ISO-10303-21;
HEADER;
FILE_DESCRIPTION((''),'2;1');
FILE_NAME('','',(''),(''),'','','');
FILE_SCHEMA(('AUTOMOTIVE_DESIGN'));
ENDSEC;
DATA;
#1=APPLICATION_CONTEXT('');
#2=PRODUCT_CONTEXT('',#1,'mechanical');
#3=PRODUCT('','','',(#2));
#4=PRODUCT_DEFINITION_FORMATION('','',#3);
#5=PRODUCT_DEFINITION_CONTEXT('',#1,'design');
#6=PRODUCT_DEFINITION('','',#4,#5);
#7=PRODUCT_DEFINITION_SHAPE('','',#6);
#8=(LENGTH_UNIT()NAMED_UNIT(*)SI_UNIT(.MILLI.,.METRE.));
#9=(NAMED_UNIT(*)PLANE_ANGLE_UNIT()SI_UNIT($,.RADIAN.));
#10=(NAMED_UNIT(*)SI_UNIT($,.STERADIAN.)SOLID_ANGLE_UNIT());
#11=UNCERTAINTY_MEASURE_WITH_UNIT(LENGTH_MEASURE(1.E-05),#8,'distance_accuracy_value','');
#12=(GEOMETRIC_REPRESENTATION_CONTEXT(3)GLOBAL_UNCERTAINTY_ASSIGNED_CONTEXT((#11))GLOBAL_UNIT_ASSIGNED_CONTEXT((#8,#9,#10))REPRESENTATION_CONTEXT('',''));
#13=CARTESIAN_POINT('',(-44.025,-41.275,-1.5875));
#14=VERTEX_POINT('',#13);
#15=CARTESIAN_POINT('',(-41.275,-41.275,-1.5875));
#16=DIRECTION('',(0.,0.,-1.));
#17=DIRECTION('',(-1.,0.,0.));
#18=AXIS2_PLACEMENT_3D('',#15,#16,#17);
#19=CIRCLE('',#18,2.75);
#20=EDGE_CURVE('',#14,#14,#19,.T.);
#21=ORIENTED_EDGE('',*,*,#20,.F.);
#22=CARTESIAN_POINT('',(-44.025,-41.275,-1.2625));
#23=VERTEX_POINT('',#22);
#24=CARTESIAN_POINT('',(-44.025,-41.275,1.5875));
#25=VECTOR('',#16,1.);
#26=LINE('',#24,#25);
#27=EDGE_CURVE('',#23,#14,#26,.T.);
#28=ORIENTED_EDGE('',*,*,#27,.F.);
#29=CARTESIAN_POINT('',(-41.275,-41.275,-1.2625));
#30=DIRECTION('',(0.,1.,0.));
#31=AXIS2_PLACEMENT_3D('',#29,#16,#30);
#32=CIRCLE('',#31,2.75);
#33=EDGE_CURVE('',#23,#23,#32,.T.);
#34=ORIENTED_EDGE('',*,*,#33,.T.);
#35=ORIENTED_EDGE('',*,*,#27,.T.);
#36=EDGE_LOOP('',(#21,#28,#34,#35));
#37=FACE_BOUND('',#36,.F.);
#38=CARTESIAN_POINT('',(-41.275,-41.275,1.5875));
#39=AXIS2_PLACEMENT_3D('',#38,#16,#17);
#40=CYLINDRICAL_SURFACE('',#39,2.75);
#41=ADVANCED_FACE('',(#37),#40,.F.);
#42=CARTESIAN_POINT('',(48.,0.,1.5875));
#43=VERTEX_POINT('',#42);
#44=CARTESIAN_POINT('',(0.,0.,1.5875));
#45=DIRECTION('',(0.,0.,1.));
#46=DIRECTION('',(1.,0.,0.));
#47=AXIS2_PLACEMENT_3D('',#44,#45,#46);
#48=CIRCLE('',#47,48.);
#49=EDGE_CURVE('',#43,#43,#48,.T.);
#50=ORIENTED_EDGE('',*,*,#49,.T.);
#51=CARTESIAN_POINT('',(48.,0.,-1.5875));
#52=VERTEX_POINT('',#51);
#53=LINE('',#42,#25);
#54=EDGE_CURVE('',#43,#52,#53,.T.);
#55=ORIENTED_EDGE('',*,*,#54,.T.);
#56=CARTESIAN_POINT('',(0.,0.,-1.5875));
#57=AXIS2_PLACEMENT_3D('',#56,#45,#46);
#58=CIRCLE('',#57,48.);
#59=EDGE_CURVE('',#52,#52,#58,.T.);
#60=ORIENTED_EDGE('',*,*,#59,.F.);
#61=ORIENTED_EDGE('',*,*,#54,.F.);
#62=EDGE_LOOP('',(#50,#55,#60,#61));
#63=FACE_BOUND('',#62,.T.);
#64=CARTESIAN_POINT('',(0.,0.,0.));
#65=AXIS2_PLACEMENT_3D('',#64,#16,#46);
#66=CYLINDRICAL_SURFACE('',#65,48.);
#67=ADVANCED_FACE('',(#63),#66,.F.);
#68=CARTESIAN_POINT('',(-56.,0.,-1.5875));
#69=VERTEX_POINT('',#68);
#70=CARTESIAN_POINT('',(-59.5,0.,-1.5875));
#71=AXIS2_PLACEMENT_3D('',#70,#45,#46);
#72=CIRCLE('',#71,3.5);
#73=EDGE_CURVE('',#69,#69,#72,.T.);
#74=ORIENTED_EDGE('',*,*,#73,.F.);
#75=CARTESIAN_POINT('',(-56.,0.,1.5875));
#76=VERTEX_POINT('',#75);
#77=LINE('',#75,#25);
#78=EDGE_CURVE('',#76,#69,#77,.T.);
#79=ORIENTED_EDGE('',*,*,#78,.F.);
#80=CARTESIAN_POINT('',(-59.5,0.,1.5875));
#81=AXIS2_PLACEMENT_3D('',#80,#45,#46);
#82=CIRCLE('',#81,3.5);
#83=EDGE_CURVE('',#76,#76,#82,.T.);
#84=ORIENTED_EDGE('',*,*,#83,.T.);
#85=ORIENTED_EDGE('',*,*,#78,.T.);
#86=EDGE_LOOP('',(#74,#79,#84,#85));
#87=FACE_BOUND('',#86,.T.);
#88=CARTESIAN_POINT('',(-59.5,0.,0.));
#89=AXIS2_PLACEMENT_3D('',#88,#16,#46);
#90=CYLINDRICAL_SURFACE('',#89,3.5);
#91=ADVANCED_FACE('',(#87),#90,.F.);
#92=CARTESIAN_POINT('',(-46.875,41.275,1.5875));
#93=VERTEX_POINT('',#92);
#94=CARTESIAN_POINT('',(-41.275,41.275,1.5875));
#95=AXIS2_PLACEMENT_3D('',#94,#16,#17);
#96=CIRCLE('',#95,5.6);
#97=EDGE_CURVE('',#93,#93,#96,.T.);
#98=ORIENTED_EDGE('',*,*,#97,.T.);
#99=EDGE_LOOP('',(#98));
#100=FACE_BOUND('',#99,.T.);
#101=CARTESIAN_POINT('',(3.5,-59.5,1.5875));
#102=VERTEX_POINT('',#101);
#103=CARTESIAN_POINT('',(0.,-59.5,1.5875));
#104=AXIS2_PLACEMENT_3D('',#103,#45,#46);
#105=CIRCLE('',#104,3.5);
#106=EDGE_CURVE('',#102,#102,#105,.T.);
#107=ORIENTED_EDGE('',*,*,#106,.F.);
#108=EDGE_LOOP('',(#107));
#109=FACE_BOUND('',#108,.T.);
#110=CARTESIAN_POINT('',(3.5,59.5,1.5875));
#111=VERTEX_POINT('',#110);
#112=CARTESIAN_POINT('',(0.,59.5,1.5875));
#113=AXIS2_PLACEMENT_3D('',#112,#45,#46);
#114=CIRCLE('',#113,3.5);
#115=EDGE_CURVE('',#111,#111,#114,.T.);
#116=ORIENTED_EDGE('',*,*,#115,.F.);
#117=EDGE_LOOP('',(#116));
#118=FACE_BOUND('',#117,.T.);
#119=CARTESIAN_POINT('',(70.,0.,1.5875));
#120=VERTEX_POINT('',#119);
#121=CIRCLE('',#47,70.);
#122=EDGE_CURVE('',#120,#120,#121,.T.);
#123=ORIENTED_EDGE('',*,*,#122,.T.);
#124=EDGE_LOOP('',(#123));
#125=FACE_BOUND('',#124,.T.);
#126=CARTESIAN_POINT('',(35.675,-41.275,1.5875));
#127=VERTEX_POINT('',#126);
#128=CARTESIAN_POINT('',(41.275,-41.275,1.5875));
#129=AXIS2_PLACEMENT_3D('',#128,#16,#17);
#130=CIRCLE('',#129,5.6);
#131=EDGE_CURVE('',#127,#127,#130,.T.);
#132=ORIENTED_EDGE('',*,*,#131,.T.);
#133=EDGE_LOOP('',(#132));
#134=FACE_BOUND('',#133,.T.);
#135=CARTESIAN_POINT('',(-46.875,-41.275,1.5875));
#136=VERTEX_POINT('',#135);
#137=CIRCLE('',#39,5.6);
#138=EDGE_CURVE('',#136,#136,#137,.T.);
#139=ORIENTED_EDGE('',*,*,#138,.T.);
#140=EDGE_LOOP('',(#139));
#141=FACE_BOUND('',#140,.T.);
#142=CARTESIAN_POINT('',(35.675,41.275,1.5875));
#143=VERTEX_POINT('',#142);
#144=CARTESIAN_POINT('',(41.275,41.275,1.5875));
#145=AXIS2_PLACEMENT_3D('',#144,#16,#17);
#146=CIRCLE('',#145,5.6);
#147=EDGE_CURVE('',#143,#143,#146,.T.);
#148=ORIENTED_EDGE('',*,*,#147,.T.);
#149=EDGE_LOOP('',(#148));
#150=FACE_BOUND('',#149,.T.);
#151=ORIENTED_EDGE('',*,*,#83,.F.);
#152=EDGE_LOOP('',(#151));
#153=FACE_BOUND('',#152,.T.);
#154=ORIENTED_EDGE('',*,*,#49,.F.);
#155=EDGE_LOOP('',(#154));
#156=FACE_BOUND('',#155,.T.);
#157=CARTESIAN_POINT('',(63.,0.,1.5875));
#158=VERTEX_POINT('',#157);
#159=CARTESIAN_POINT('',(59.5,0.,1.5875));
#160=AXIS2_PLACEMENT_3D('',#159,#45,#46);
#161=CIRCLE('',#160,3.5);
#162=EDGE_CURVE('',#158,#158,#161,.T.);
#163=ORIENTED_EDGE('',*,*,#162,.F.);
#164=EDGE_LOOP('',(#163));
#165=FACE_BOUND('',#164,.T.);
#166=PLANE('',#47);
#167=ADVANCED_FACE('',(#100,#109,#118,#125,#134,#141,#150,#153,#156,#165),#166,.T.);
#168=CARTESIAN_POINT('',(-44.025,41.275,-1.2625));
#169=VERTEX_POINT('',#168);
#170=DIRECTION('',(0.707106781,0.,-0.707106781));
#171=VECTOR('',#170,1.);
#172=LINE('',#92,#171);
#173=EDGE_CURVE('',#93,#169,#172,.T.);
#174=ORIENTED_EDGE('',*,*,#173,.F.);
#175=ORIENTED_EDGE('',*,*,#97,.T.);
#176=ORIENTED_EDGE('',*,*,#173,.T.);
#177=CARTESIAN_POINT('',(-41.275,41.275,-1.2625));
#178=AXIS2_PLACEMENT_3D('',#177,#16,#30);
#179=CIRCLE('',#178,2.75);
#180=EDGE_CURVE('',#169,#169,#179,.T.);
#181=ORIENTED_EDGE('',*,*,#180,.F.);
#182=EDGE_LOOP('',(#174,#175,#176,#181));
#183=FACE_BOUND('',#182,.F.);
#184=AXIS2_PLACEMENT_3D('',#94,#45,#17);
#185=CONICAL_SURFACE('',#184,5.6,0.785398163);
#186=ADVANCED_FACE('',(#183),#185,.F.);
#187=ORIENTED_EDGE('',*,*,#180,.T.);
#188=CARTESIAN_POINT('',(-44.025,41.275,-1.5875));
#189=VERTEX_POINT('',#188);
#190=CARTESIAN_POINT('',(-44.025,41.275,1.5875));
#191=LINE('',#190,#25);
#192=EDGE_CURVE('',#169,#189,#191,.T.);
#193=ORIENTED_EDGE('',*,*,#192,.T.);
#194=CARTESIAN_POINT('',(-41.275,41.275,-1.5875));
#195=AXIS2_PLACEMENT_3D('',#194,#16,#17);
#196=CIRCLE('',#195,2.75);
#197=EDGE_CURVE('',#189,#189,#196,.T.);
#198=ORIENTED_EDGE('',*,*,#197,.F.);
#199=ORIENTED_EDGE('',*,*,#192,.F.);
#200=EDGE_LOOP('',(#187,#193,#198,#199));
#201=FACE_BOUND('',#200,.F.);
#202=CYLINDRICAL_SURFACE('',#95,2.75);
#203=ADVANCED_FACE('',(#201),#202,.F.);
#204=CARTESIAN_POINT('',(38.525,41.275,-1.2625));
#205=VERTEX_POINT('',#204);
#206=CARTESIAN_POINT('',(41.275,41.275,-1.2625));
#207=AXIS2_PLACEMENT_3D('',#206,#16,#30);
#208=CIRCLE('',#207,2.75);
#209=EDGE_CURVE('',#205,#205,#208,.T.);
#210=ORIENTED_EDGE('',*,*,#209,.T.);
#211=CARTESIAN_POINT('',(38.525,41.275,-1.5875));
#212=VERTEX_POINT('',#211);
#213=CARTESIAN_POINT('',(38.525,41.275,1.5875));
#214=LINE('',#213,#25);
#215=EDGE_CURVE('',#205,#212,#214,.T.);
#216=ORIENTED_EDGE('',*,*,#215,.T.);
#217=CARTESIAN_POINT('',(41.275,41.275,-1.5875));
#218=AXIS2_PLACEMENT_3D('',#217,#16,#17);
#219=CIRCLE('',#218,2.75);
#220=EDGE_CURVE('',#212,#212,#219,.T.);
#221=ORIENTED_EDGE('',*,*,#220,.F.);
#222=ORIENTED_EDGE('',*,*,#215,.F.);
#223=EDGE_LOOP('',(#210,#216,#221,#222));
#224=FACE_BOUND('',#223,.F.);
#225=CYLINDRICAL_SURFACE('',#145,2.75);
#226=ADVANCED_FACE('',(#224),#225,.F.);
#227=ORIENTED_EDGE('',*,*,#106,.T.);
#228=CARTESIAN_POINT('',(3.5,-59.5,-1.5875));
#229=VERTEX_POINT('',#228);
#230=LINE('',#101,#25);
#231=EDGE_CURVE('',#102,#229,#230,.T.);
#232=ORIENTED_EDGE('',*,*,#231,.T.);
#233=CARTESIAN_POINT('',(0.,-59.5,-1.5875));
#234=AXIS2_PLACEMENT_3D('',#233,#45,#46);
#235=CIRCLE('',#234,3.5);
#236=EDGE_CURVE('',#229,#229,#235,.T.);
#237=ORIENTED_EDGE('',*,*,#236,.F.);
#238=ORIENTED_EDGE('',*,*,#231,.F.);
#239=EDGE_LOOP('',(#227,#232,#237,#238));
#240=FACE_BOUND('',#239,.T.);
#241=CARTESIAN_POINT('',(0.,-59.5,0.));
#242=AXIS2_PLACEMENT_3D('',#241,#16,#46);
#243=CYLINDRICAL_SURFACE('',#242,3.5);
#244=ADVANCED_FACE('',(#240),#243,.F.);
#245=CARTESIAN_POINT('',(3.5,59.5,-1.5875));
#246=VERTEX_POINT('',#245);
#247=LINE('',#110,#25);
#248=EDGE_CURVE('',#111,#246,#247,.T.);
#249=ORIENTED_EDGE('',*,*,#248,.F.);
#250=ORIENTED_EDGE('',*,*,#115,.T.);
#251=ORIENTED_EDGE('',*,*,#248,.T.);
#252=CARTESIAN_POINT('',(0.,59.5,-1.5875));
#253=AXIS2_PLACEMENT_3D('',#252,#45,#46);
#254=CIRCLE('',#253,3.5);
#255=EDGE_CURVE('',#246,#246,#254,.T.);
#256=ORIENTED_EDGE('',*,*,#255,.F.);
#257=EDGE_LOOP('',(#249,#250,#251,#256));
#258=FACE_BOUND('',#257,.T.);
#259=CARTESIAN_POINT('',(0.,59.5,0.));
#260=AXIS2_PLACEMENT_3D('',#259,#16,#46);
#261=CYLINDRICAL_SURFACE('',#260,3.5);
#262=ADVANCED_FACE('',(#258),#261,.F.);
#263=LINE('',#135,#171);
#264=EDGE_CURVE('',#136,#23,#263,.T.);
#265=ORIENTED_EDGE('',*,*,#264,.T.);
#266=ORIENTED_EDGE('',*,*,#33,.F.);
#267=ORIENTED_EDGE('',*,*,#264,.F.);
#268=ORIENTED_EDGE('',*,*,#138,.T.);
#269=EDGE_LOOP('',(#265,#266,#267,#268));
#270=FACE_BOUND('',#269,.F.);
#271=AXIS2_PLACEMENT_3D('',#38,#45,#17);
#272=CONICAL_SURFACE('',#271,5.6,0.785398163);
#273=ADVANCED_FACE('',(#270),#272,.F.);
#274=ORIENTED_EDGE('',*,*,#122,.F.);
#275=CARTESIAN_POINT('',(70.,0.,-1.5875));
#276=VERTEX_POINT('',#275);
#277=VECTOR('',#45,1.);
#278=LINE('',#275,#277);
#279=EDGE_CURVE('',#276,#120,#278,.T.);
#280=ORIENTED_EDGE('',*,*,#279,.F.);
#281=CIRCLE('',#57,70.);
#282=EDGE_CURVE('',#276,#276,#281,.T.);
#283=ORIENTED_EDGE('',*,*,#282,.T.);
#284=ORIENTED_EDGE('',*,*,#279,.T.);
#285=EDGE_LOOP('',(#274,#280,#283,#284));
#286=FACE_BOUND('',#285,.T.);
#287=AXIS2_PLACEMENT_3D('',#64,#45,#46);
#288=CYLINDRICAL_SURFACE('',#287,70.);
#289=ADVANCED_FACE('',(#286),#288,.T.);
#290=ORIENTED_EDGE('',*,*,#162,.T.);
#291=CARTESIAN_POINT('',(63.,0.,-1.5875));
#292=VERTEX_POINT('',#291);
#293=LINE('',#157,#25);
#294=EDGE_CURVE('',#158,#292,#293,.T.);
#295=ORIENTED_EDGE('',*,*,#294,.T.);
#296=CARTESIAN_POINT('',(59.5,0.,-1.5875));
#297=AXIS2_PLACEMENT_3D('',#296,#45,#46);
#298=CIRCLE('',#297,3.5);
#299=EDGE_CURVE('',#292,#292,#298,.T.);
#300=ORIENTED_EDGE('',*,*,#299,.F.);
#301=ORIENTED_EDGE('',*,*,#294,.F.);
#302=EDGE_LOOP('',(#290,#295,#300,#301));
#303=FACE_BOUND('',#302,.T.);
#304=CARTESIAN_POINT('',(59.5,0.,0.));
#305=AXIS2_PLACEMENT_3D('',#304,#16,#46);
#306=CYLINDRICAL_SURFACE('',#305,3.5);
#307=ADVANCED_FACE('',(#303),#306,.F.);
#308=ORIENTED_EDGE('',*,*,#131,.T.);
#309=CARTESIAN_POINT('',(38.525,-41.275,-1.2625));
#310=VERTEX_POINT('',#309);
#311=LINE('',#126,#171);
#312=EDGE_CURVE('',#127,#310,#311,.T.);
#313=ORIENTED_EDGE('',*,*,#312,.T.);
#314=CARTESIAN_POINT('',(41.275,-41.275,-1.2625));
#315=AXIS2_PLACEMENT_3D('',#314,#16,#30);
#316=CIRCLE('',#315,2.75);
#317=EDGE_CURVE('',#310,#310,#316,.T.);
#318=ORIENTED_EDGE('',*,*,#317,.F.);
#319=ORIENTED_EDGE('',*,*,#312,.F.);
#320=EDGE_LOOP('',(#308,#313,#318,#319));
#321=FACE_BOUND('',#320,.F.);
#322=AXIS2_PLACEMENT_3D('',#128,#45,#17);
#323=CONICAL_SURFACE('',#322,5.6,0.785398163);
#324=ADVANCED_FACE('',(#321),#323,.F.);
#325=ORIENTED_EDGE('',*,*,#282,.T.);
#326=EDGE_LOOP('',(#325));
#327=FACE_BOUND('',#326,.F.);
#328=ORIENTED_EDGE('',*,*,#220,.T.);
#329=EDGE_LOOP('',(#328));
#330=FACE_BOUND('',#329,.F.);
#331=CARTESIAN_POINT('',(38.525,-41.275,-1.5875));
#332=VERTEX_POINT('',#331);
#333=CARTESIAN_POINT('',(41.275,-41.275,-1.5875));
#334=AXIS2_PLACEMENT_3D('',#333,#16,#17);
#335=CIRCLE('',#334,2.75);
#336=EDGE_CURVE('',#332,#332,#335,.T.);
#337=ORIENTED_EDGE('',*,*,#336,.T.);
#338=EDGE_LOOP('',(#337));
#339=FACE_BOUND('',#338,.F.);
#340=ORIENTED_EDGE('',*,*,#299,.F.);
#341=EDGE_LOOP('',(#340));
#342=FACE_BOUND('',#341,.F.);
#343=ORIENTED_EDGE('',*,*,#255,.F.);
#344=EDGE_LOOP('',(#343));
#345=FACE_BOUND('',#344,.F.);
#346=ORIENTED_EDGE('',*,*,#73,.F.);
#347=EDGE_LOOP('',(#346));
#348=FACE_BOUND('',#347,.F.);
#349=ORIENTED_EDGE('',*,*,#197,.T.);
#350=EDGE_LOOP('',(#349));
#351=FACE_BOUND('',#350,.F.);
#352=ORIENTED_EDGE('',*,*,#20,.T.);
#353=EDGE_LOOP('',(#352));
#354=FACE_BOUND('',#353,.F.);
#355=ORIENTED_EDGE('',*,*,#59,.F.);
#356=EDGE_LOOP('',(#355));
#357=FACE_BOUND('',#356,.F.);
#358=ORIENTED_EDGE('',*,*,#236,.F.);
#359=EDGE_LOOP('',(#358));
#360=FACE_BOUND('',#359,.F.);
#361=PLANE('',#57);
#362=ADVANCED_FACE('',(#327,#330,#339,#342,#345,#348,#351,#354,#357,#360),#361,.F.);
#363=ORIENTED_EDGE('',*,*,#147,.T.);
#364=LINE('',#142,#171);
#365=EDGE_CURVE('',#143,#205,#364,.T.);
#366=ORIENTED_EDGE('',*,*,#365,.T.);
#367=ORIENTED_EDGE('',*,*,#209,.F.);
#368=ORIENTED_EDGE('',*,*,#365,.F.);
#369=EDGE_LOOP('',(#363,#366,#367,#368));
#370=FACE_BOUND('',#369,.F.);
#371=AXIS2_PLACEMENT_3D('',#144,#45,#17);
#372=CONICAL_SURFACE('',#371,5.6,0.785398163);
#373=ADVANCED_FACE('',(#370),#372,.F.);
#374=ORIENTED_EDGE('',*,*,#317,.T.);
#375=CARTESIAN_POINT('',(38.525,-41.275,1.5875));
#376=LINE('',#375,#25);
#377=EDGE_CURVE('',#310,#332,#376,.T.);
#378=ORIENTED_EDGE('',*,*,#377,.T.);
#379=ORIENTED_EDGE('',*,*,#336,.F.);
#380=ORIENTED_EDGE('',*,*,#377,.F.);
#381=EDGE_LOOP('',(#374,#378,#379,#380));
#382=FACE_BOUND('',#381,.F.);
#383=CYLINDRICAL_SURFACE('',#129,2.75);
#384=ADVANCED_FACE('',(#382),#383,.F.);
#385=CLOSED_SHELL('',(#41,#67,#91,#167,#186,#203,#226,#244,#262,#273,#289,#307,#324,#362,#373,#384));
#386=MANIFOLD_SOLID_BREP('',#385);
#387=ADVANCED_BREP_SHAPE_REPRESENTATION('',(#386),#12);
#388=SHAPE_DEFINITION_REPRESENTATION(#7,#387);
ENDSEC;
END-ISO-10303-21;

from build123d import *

# Parameters (mm, degrees)
F0_R           = 70
F0_R_2         = 3.5
F0_R_3         = 48
F1_DEPTH       = 1.5875
F3_D           = 5.5
F3_DEPTH       = 15
F3_CSINK_D     = 11.2
F3_CSINK_ANGLE = 90
F3_TIP         = 1.6523667023


with BuildPart() as f1:
    # F0 (on Top) → F1 (new body, symmetric)
    with BuildSketch(Plane.XY):
        Circle(F0_R)
        with Locations((0, -59.5)):
            Circle(F0_R_2, mode=Mode.SUBTRACT)
        with Locations((-59.5, 0)):
            Circle(F0_R_2, mode=Mode.SUBTRACT)
        Circle(F0_R_3, mode=Mode.SUBTRACT)
        with Locations((59.5, 0)):
            Circle(F0_R_2, mode=Mode.SUBTRACT)
        with Locations((0, 59.5)):
            Circle(F0_R_2, mode=Mode.SUBTRACT)
    extrude(amount=F1_DEPTH, both=True)

    # F3
    with Locations(Plane.XY.offset(1.5875)):
        with Locations((-41.275, 41.275), (41.275, 41.275), (41.275, -41.275), (-41.275, -41.275)):
            CounterSinkHole(F3_D / 2, F3_CSINK_D / 2, depth=F3_DEPTH, counter_sink_angle=F3_CSINK_ANGLE)
            with Locations((0, 0, -(F3_DEPTH + F3_TIP / 2))):  # 118° drill point
                Cone(0, F3_D / 2, F3_TIP, mode=Mode.SUBTRACT)


solid = f1.part
